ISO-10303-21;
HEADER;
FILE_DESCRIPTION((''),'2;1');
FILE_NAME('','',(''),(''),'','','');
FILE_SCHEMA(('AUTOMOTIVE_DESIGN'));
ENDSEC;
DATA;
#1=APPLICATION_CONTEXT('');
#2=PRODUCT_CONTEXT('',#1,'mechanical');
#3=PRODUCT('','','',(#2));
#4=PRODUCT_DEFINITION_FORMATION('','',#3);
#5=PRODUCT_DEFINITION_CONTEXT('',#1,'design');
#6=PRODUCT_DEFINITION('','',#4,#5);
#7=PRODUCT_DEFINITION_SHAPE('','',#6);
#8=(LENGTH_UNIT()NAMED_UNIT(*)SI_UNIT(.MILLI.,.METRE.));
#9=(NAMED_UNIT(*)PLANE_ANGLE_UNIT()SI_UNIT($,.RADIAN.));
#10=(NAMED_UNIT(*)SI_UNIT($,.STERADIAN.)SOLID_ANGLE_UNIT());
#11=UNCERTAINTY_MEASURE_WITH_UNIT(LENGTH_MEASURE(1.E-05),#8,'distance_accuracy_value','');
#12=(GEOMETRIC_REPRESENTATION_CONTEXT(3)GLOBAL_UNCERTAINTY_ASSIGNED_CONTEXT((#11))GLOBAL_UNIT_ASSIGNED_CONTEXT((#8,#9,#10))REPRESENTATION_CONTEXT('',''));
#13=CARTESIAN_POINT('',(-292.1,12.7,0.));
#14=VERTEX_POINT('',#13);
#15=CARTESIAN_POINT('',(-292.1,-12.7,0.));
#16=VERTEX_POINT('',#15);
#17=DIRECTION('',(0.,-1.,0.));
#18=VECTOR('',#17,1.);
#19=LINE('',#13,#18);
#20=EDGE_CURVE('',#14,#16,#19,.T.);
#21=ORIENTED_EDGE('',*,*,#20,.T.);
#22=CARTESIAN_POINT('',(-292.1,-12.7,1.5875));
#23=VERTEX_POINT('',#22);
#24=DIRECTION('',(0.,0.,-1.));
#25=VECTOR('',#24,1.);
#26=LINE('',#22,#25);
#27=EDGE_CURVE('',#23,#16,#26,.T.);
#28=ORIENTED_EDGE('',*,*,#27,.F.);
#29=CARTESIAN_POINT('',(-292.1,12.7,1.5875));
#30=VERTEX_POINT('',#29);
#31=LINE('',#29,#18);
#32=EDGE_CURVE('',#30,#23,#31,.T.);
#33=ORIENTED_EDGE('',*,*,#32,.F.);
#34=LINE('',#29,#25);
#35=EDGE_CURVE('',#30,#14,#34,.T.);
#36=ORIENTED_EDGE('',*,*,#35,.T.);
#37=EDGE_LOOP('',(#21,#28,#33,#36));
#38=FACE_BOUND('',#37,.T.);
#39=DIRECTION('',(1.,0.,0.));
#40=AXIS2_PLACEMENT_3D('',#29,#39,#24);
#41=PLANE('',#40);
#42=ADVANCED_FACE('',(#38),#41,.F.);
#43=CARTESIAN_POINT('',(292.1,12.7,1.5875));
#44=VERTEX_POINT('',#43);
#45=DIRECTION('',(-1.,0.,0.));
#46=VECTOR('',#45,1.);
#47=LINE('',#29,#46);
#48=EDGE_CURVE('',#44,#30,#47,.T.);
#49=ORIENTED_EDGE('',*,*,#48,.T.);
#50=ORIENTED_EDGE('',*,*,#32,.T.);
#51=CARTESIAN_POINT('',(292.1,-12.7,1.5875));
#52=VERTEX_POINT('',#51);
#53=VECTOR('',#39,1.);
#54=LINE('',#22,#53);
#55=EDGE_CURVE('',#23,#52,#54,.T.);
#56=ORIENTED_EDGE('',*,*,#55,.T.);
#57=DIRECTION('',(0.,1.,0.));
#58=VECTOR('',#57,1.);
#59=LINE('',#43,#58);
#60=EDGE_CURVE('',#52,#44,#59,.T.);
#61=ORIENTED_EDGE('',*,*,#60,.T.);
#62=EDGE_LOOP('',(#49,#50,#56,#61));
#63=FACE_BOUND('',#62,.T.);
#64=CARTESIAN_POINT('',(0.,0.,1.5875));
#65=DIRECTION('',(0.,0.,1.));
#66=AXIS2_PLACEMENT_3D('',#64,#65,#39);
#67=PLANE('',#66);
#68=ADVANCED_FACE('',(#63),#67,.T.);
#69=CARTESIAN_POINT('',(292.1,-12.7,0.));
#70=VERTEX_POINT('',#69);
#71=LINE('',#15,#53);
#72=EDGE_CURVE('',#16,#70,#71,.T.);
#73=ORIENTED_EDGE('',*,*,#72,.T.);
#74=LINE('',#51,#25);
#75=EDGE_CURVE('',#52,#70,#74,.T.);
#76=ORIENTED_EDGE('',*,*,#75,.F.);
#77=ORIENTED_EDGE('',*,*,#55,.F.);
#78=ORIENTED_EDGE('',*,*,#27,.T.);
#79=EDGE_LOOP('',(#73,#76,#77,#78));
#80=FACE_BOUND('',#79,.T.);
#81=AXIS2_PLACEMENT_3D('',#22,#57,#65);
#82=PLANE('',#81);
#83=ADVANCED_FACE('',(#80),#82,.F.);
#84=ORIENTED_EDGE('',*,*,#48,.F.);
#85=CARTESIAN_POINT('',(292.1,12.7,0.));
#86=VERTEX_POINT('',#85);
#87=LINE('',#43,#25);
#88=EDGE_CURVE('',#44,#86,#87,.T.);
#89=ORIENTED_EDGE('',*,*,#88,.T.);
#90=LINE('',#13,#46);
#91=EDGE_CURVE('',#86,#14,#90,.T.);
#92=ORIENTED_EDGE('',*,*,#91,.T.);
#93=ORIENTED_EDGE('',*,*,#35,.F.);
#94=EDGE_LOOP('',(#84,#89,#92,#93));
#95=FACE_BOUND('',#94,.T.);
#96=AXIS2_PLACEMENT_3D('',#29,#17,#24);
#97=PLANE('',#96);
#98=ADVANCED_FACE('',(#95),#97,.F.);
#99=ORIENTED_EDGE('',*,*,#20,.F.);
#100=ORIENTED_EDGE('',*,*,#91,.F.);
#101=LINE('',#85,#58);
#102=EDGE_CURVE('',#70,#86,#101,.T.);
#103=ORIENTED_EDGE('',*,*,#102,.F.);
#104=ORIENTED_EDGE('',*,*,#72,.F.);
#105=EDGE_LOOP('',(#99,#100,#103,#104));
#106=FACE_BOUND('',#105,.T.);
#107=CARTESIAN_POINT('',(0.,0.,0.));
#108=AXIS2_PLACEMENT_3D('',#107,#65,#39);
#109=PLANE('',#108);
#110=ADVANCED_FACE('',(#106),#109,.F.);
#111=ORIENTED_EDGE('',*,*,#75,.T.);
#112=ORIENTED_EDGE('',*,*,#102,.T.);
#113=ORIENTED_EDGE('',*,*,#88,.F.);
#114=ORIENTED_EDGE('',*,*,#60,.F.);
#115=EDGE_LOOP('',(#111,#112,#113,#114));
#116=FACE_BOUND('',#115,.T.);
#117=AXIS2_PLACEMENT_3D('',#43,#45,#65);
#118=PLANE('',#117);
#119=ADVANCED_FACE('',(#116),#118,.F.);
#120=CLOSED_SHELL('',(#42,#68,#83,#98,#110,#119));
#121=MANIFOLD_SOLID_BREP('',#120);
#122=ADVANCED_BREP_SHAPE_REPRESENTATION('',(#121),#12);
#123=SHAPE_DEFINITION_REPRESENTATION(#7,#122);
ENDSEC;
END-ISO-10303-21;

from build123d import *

# Parameters (mm, degrees)
SKETCH1_W           = 584.2
SKETCH1_H           = 25.4
BOSS_EXTRUDE1_DEPTH = 1.5875


with BuildPart() as part:
    # Sketch1 → Boss-Extrude1 (new body)
    with BuildSketch(Plane.XY):
        Rectangle(SKETCH1_W, SKETCH1_H)
    extrude(amount=BOSS_EXTRUDE1_DEPTH)


solid = part.part
